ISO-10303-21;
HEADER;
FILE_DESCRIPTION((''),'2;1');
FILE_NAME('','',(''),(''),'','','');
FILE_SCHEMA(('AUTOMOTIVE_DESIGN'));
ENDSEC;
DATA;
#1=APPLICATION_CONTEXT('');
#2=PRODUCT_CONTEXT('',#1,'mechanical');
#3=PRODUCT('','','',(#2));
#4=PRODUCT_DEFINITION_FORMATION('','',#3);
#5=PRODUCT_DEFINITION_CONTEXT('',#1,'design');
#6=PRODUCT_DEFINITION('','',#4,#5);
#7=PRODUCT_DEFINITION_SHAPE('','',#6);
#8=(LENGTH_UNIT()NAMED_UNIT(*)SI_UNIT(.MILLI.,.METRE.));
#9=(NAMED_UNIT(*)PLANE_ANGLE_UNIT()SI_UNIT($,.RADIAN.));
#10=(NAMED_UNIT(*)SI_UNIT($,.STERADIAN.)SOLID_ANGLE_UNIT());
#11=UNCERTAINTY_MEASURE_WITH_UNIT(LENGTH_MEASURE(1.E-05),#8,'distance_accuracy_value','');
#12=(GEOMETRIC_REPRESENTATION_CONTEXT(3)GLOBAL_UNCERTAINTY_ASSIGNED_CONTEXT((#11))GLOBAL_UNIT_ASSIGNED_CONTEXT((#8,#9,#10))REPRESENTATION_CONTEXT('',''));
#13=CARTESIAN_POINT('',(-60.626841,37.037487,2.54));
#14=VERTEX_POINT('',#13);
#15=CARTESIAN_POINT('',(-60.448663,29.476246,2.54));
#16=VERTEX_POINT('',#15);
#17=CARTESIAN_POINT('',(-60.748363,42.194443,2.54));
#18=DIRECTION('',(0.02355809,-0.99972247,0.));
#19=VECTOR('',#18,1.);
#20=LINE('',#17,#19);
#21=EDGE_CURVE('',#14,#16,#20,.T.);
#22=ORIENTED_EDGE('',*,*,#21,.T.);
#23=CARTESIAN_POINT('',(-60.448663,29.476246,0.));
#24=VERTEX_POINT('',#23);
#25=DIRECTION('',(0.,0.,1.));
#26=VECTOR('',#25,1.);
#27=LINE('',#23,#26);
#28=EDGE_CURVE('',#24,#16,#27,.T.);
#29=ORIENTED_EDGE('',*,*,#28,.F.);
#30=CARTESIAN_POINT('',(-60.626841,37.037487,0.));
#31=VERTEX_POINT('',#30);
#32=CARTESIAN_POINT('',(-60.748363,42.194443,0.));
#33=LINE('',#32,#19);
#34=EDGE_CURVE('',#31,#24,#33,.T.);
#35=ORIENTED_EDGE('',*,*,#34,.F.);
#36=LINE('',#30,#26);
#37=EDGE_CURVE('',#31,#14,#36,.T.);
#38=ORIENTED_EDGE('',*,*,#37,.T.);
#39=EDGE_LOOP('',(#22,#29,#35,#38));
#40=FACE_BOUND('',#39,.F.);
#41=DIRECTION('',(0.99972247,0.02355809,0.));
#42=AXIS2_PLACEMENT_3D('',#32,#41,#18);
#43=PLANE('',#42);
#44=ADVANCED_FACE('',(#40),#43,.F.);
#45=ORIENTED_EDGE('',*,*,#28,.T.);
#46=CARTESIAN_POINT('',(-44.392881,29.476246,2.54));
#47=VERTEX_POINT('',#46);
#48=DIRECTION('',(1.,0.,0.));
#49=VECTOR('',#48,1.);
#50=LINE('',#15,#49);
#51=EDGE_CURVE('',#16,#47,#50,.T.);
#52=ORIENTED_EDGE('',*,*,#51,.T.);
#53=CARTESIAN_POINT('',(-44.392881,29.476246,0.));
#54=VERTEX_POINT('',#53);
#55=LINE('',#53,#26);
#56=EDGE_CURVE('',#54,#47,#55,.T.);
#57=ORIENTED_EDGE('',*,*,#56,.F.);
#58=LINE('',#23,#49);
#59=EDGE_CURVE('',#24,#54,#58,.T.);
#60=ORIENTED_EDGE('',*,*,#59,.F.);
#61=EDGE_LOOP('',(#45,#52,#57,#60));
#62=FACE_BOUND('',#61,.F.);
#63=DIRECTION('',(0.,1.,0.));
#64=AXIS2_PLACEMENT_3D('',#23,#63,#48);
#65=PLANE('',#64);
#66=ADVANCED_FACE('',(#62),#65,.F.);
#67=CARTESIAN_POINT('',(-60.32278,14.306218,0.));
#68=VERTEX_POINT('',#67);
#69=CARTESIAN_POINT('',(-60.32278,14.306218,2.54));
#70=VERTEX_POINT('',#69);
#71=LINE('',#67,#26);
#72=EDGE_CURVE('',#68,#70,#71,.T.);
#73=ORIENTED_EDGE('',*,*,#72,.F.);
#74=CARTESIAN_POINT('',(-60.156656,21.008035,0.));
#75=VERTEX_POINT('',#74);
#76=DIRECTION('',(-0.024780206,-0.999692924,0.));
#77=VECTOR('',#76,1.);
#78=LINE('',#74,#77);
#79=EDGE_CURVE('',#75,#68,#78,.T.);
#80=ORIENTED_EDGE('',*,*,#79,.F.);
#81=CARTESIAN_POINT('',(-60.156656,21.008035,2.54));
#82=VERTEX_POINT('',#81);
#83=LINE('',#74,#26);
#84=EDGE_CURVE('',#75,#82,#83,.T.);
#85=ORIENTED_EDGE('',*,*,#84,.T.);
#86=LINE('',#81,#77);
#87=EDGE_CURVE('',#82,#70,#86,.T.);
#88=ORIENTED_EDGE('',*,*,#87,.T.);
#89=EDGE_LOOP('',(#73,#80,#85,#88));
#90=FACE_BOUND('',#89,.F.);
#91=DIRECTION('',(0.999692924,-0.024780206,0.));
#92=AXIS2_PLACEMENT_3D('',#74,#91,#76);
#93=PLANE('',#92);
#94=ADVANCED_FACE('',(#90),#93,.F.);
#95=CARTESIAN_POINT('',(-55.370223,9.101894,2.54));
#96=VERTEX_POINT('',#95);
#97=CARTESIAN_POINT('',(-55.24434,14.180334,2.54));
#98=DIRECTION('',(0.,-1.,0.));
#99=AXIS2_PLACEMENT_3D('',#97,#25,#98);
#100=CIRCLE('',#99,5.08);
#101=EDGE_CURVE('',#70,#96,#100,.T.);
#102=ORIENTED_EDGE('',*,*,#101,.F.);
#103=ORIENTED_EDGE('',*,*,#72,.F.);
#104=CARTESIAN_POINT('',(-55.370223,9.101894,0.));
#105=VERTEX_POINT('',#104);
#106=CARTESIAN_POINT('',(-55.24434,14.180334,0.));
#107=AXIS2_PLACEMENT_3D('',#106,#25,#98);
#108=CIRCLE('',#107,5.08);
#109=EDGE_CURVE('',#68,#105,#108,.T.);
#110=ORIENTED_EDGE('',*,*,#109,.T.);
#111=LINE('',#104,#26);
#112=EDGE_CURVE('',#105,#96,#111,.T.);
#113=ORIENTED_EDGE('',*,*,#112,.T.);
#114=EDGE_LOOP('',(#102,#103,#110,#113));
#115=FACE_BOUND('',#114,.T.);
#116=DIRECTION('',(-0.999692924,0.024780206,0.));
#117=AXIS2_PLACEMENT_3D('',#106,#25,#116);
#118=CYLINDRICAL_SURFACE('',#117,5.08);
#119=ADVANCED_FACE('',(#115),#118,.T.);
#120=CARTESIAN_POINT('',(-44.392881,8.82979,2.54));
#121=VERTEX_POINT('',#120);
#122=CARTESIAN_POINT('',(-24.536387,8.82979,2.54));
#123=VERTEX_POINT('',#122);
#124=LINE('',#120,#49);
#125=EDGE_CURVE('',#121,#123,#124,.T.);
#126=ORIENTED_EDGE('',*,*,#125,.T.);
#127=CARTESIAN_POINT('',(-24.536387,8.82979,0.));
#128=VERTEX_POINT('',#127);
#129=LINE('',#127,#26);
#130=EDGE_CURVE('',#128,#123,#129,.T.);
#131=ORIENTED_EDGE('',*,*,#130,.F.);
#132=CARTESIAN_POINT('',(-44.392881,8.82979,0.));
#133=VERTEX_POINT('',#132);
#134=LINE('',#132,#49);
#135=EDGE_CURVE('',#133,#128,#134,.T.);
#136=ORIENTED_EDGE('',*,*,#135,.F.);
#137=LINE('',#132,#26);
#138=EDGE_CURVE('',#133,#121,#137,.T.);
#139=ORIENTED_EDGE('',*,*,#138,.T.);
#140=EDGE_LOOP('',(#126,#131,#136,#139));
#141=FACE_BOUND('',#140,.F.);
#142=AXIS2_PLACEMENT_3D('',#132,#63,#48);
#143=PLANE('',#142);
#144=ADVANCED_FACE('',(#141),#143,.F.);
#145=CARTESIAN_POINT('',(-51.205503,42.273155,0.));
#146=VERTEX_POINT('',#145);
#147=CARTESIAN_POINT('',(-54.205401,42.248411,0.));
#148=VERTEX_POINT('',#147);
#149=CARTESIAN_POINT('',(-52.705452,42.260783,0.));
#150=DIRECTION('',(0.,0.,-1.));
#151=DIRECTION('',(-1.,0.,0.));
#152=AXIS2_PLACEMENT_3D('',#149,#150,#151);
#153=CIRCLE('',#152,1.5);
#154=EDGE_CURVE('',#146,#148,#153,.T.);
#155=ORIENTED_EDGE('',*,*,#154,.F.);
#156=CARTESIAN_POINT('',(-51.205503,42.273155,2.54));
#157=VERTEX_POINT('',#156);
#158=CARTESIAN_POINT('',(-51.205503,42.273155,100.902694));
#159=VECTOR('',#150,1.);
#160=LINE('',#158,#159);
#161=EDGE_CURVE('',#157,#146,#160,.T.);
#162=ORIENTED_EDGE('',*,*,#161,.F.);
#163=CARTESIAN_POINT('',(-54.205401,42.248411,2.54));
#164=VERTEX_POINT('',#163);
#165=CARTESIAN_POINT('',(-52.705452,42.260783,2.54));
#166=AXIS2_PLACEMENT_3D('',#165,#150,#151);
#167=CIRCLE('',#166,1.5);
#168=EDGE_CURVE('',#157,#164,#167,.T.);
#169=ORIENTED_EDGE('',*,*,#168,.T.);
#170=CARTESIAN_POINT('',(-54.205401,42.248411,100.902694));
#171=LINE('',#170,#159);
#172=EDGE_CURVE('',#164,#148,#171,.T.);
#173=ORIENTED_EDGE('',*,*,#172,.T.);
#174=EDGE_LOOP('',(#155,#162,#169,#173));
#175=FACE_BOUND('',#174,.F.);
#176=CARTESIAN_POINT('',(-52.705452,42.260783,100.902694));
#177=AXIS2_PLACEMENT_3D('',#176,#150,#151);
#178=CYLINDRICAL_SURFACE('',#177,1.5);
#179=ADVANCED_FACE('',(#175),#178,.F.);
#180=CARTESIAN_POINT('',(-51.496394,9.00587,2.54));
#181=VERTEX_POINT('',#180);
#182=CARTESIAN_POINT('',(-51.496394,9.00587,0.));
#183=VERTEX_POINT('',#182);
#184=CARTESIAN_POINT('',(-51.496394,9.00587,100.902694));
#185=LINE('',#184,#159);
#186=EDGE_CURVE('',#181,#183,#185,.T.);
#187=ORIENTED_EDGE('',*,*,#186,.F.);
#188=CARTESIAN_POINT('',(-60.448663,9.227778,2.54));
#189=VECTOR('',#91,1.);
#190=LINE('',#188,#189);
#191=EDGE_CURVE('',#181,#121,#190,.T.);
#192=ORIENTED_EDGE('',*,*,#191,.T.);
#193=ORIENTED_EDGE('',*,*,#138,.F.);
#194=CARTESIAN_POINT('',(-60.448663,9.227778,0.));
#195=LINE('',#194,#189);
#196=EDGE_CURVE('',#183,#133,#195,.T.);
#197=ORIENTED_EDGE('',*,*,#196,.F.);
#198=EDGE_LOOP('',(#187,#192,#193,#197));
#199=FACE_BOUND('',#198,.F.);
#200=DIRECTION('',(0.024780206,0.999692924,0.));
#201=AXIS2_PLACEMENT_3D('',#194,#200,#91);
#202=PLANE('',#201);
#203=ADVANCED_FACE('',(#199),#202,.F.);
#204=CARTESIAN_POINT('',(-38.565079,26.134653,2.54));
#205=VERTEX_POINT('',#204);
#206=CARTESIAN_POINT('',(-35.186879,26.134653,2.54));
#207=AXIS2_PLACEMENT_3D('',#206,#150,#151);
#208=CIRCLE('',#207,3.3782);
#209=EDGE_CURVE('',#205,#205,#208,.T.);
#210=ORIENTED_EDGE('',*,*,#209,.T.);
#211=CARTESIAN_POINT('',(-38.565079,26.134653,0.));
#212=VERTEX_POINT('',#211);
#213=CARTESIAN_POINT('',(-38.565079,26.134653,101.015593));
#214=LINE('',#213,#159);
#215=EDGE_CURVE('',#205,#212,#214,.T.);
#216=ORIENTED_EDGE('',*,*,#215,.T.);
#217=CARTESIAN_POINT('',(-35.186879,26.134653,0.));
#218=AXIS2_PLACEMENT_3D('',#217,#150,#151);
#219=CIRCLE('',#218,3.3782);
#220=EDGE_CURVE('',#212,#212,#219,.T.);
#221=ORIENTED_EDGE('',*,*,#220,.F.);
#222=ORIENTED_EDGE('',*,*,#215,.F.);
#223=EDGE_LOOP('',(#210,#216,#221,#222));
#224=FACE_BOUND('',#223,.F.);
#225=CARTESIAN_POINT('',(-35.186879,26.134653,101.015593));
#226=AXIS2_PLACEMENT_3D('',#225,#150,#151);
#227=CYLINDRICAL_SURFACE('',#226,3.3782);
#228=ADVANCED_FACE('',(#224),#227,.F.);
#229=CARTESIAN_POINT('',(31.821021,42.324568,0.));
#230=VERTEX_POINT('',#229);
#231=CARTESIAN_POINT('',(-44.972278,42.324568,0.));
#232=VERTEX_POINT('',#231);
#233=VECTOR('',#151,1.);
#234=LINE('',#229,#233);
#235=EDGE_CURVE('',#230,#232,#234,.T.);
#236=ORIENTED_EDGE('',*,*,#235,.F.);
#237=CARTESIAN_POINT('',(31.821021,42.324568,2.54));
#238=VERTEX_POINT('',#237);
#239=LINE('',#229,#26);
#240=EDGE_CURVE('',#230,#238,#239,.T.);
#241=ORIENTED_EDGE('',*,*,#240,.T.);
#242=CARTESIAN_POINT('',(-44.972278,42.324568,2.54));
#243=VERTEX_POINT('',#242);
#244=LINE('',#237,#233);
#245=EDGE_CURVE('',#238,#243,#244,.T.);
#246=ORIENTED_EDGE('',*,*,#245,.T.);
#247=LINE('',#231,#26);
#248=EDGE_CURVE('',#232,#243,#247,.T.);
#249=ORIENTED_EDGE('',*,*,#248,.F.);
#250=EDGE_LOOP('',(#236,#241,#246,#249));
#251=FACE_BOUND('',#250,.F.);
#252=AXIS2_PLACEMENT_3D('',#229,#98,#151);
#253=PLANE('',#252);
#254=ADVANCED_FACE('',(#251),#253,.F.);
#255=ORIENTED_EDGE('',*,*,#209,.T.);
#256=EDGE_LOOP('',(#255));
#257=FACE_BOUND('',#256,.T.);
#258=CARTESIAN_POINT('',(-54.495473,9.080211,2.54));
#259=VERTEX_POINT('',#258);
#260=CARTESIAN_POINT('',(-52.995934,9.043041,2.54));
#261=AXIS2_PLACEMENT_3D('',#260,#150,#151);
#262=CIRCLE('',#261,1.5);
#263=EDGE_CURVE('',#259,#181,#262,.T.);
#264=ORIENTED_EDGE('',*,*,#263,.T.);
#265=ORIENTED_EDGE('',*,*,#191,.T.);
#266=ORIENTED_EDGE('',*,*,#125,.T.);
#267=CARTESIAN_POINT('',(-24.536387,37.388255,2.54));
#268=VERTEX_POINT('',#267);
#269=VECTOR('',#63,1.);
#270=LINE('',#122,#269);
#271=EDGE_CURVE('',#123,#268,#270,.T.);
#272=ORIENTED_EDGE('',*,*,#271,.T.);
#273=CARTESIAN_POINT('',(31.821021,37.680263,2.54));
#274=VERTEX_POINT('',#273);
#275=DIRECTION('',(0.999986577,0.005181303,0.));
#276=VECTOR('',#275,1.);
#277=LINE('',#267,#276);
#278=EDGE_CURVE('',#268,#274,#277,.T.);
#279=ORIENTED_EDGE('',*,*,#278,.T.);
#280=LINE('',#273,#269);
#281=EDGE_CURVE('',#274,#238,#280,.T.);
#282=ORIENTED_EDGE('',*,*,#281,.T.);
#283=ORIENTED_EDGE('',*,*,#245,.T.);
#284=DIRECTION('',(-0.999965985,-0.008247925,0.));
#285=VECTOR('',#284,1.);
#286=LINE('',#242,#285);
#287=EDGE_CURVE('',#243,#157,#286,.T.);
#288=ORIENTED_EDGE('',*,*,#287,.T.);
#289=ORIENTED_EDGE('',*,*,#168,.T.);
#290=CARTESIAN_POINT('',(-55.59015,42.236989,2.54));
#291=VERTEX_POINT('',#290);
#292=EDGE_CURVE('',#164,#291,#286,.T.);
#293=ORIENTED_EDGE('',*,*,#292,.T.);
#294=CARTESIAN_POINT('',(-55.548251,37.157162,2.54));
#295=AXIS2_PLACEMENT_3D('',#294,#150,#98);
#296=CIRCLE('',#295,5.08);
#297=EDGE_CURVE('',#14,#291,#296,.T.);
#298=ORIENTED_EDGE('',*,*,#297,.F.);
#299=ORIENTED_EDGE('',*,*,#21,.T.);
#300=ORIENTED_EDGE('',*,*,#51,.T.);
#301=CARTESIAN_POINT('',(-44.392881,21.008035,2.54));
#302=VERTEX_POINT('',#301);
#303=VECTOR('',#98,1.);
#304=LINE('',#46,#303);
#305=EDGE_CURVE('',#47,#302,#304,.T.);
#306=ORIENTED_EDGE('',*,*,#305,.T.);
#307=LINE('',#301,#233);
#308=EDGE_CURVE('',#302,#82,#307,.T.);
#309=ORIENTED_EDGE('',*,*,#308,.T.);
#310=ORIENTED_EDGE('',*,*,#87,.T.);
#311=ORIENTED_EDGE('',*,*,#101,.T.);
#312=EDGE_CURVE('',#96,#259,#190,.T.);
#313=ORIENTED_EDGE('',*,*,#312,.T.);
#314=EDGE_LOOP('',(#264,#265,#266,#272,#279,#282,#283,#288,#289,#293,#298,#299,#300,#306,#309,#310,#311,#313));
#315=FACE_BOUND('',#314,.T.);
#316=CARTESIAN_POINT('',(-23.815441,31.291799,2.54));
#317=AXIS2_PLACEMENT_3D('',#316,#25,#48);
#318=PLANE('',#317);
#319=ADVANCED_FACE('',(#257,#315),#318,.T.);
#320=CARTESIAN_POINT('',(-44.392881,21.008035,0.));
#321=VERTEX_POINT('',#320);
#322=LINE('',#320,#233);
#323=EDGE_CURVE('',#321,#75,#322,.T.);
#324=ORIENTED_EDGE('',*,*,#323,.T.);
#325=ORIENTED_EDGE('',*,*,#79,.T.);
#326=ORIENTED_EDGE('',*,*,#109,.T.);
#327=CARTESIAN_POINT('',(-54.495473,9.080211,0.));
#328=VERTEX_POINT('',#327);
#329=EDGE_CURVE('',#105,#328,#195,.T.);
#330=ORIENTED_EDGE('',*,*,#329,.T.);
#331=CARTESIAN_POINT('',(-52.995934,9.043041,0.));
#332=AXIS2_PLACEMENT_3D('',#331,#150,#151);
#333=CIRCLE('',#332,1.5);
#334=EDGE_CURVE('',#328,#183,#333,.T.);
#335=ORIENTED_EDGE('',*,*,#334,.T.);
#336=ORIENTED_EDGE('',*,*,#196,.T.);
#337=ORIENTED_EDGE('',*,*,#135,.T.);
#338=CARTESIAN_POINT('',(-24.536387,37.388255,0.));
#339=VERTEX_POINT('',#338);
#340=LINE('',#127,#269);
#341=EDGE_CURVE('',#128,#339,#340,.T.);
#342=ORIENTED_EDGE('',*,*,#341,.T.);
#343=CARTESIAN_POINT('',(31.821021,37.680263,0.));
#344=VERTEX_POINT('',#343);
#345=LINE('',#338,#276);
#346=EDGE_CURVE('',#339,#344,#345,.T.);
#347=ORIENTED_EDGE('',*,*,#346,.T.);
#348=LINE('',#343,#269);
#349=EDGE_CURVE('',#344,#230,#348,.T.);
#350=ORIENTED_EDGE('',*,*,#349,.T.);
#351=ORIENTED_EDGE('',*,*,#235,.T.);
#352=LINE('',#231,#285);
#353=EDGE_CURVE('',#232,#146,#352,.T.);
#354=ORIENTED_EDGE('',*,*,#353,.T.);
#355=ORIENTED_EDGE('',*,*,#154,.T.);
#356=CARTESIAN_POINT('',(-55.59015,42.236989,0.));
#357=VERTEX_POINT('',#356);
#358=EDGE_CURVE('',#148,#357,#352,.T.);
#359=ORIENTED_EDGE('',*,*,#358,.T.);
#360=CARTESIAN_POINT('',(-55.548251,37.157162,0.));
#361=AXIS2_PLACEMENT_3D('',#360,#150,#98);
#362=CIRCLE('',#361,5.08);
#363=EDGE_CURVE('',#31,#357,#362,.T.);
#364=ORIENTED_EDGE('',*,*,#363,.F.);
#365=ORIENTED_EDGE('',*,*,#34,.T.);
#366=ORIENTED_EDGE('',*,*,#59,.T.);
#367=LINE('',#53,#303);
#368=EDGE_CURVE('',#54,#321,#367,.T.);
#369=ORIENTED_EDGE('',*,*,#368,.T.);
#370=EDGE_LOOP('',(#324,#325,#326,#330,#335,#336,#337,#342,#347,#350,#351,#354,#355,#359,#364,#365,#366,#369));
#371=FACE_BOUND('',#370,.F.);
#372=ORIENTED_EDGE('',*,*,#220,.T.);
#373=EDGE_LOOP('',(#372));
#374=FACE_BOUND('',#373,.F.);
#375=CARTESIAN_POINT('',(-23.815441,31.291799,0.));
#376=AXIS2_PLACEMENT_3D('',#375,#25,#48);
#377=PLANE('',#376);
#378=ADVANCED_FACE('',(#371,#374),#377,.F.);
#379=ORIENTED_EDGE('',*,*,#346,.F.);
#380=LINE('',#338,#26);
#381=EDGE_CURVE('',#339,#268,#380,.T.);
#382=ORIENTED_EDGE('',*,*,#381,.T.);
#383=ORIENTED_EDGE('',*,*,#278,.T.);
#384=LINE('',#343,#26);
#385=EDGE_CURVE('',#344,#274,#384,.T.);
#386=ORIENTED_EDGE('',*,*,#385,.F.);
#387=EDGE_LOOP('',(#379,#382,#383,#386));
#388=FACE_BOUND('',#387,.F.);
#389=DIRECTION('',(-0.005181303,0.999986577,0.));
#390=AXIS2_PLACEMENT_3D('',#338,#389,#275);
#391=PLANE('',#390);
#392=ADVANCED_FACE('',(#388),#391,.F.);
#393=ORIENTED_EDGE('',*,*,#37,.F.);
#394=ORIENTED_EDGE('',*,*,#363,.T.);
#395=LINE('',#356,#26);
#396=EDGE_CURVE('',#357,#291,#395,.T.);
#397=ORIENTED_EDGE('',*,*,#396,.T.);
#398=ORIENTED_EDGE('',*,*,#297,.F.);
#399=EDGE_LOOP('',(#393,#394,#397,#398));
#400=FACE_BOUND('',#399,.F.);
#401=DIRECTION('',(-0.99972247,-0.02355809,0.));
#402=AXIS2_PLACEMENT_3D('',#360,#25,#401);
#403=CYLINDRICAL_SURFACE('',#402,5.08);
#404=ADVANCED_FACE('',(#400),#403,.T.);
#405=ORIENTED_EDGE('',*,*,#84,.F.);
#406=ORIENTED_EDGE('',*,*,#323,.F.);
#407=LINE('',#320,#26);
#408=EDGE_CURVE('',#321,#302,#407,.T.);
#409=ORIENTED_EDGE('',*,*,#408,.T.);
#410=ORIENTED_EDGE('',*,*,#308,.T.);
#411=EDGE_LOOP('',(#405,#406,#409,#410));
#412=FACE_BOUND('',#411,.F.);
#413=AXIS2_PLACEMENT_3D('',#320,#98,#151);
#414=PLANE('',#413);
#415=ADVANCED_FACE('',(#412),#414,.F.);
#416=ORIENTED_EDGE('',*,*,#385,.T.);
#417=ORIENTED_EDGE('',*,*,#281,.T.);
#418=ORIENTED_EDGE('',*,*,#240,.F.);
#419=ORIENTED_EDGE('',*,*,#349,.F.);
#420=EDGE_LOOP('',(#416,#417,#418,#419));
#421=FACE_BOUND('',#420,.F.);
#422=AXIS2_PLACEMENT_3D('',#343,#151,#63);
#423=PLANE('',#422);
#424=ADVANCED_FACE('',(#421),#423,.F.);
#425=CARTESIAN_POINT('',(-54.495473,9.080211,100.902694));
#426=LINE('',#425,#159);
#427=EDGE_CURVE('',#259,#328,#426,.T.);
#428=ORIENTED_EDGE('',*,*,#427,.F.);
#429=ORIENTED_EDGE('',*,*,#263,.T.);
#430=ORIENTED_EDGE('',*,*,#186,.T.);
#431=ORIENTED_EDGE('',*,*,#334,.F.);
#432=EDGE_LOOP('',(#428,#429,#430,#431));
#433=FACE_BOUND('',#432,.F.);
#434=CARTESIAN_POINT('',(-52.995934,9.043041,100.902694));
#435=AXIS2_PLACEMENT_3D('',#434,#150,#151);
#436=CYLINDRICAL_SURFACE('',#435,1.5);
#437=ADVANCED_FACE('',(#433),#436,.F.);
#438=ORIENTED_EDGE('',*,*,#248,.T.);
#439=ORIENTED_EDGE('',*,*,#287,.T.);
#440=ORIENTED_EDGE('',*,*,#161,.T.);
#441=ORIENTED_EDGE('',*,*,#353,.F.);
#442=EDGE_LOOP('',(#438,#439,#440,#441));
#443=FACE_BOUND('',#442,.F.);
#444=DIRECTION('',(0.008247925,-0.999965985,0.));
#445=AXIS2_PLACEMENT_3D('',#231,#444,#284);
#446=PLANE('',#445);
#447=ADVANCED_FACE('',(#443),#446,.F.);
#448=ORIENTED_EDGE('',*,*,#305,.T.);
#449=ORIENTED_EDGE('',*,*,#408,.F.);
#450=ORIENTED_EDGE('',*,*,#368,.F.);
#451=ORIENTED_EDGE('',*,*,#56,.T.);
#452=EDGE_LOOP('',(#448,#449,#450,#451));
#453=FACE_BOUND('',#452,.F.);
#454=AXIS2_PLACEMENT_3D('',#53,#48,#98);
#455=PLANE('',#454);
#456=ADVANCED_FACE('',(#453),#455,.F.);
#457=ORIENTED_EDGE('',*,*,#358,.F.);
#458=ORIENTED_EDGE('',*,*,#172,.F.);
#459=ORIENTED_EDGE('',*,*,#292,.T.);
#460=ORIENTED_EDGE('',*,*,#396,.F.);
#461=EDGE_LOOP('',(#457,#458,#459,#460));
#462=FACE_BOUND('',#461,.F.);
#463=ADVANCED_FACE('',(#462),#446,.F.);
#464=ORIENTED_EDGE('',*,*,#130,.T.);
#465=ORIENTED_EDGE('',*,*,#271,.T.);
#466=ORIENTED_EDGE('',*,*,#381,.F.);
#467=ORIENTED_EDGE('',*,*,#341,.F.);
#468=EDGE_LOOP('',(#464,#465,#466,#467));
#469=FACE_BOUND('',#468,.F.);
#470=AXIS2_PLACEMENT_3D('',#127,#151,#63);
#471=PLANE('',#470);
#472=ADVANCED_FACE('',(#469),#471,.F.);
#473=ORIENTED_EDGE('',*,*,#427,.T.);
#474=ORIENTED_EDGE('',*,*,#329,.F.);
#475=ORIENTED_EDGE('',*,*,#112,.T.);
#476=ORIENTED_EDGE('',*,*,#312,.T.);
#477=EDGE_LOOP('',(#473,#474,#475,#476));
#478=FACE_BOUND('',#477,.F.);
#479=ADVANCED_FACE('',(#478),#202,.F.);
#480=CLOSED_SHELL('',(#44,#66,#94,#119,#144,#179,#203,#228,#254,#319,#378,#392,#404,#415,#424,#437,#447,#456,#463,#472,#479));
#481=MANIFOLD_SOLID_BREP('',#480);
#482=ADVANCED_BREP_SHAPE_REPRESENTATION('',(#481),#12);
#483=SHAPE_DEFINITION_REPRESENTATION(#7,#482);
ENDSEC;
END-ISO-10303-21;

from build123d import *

# Parameters (mm, degrees)
F1_DEPTH = 2.54
F4_D     = 6.7564
F5_R     = 5.08
F6_R     = 5.08
F9_D     = 3
F10_D    = 3


with BuildPart() as f1:
    # F0 (on Top) → F1 (new body)
    with BuildSketch(Plane.XY):
        Polygon((-26.9663626849, 16.0324431312), (-26.6666630804, 3.3142461729), (-10.6108812243, 3.3142461729), (-10.6108812243, -5.1539645243), (-26.3746562004, -5.1539645243), (-26.6666630804, -16.9342223267), (-10.6108812243, -17.3322101165), (9.2456126958, -17.3322101165), (9.2456126958, 11.2262545153), (65.6030206382, 11.518263258), (65.6030206382, 16.1625675214), (-11.1902779489, 16.1625675214), align=None)
    extrude(amount=F1_DEPTH)


with BuildPart() as f1_1:
    # F2: moved
    add(f1.part.moved(Location((-33.782, 26.162, 0))))

    # F4 (through all)
    with Locations(Plane.XY.offset(2.54)):
        with Locations((-35.1868793368, 26.1346530169)):
            Hole(F4_D / 2)

    # F5
    f5_edges = [f1_1.edges().sort_by_distance(p)[0] for p in [
        (-60.448663, 9.227778, 1.27),
    ]]
    fillet(f5_edges, radius=F5_R)

    # F6
    f6_edges = [f1_1.edges().sort_by_distance(p)[0] for p in [
        (-60.748363, 42.194443, 1.27),
    ]]
    fillet(f6_edges, radius=F6_R)

    # F9 (through all)
    with Locations(Plane.XY.offset(2.54)):
        with Locations((-52.7054518143, 42.2607827135)):
            Hole(F9_D / 2)

    # F10 (through all)
    with Locations(Plane.XY.offset(2.54)):
        with Locations((-52.9959336795, 9.0430407773)):
            Hole(F10_D / 2)


solid = f1_1.part
